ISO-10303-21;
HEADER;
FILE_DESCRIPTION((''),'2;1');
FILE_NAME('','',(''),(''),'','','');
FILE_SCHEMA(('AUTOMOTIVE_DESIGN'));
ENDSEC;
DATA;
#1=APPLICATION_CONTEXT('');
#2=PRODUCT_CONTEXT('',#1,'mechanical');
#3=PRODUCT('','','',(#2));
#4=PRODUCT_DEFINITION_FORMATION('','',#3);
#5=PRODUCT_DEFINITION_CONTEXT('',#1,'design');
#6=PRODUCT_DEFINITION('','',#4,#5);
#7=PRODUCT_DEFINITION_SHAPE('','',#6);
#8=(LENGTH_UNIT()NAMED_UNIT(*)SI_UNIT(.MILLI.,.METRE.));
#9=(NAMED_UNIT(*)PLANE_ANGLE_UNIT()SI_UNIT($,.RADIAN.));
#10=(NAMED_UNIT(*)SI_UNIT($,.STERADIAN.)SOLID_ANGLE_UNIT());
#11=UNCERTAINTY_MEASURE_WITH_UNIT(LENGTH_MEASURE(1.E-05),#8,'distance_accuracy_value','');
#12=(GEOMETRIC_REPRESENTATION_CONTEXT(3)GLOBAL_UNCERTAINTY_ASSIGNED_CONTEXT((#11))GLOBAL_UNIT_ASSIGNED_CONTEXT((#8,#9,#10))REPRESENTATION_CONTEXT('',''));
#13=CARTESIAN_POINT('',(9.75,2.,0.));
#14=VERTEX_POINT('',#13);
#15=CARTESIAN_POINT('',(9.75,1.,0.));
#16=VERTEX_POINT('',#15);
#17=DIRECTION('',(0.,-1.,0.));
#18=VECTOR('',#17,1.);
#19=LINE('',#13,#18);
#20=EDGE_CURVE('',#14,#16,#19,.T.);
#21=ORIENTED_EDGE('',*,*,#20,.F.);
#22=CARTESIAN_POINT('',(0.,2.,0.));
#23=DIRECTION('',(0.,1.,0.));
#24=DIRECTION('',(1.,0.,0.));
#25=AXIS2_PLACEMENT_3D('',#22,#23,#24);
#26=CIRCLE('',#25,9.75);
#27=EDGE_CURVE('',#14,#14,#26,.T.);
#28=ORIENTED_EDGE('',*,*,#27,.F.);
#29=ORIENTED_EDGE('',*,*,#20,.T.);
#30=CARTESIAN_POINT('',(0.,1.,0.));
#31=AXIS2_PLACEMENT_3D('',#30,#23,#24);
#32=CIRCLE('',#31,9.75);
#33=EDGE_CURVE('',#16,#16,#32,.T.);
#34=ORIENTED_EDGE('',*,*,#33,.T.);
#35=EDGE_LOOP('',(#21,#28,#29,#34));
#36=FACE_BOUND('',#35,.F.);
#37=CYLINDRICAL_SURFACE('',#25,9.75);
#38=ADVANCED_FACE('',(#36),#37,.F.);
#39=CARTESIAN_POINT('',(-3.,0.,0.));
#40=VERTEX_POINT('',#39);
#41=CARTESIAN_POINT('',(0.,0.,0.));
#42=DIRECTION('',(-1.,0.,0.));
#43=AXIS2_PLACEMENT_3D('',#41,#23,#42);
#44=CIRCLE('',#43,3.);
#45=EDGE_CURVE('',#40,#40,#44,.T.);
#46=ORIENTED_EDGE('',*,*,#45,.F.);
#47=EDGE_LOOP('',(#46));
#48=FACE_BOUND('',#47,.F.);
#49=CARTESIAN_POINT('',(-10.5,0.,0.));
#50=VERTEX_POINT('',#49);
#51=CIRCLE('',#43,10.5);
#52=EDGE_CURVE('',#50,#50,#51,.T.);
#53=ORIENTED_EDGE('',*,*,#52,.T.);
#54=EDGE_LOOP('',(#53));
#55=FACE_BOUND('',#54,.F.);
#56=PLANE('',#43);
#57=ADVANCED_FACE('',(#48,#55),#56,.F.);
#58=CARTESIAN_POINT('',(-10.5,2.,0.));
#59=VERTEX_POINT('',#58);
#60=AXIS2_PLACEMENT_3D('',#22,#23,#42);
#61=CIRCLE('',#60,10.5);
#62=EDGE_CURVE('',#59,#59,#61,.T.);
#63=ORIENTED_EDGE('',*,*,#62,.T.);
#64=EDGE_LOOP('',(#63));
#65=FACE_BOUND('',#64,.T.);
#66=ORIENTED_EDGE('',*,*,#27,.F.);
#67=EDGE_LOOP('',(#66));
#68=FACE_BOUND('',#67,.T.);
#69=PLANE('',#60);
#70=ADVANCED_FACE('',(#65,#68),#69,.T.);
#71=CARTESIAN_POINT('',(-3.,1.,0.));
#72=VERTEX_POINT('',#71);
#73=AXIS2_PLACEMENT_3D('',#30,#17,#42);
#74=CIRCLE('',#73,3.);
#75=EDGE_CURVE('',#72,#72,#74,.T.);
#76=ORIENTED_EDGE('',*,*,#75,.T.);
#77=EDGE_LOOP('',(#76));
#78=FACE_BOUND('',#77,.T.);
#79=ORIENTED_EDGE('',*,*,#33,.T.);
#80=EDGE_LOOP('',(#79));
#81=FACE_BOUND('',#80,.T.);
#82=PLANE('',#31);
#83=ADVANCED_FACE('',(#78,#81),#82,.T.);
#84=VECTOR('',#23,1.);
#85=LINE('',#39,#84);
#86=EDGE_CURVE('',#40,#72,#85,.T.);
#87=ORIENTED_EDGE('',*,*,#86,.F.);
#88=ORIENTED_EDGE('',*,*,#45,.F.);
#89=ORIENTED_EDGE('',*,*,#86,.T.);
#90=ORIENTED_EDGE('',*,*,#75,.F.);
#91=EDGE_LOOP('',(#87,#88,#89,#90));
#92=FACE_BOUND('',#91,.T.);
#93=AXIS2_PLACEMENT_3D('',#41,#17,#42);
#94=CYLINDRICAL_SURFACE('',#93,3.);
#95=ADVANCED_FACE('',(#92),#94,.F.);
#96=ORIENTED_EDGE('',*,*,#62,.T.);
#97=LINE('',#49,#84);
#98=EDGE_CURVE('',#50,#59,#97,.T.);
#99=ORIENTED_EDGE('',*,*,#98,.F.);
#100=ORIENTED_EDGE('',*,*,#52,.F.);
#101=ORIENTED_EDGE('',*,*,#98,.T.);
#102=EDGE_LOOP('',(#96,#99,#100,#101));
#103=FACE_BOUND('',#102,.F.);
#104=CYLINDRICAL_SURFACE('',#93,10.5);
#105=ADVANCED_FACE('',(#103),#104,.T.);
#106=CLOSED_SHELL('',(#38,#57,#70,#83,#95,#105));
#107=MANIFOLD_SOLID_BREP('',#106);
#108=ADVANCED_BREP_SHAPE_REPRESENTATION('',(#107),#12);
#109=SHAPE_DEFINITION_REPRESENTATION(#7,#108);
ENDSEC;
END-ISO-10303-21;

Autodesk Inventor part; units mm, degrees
ref_plane "YZ Plane" through (0, 0, 0) normal (1, 0, 0) x (0, 1, 0)
ref_plane "XZ Plane" through (0, 0, 0) normal (0, 1, 0) x (-1, 0, 0)
ref_plane "XY Plane" through (0, 0, 0) normal (0, 0, 1) x (1, 0, 0)
sketch "Sketch1" plane through (0, 0, 0) normal (0, 1, 0) x (-1, 0, 0)
  circle A0 centre (0, 0) radius 3
  circle A1 centre (0, 0) radius 10.5
  dimension "d0" = 6
  dimension "d1" = 21
extrude "Extrusion1" add sketch "Sketch1" along normal blind 2
sketch "Sketch2" plane through (0, 2, 0) normal (0, 1, 0) x (1, 0, 0)
  circle A0 centre (0, 0) radius 9.75
  dimension "d4" = 19.5
extrude "Extrusion2" cut sketch "Sketch2" against normal blind 1
properties part number "Large_Bearing_Adapter"
